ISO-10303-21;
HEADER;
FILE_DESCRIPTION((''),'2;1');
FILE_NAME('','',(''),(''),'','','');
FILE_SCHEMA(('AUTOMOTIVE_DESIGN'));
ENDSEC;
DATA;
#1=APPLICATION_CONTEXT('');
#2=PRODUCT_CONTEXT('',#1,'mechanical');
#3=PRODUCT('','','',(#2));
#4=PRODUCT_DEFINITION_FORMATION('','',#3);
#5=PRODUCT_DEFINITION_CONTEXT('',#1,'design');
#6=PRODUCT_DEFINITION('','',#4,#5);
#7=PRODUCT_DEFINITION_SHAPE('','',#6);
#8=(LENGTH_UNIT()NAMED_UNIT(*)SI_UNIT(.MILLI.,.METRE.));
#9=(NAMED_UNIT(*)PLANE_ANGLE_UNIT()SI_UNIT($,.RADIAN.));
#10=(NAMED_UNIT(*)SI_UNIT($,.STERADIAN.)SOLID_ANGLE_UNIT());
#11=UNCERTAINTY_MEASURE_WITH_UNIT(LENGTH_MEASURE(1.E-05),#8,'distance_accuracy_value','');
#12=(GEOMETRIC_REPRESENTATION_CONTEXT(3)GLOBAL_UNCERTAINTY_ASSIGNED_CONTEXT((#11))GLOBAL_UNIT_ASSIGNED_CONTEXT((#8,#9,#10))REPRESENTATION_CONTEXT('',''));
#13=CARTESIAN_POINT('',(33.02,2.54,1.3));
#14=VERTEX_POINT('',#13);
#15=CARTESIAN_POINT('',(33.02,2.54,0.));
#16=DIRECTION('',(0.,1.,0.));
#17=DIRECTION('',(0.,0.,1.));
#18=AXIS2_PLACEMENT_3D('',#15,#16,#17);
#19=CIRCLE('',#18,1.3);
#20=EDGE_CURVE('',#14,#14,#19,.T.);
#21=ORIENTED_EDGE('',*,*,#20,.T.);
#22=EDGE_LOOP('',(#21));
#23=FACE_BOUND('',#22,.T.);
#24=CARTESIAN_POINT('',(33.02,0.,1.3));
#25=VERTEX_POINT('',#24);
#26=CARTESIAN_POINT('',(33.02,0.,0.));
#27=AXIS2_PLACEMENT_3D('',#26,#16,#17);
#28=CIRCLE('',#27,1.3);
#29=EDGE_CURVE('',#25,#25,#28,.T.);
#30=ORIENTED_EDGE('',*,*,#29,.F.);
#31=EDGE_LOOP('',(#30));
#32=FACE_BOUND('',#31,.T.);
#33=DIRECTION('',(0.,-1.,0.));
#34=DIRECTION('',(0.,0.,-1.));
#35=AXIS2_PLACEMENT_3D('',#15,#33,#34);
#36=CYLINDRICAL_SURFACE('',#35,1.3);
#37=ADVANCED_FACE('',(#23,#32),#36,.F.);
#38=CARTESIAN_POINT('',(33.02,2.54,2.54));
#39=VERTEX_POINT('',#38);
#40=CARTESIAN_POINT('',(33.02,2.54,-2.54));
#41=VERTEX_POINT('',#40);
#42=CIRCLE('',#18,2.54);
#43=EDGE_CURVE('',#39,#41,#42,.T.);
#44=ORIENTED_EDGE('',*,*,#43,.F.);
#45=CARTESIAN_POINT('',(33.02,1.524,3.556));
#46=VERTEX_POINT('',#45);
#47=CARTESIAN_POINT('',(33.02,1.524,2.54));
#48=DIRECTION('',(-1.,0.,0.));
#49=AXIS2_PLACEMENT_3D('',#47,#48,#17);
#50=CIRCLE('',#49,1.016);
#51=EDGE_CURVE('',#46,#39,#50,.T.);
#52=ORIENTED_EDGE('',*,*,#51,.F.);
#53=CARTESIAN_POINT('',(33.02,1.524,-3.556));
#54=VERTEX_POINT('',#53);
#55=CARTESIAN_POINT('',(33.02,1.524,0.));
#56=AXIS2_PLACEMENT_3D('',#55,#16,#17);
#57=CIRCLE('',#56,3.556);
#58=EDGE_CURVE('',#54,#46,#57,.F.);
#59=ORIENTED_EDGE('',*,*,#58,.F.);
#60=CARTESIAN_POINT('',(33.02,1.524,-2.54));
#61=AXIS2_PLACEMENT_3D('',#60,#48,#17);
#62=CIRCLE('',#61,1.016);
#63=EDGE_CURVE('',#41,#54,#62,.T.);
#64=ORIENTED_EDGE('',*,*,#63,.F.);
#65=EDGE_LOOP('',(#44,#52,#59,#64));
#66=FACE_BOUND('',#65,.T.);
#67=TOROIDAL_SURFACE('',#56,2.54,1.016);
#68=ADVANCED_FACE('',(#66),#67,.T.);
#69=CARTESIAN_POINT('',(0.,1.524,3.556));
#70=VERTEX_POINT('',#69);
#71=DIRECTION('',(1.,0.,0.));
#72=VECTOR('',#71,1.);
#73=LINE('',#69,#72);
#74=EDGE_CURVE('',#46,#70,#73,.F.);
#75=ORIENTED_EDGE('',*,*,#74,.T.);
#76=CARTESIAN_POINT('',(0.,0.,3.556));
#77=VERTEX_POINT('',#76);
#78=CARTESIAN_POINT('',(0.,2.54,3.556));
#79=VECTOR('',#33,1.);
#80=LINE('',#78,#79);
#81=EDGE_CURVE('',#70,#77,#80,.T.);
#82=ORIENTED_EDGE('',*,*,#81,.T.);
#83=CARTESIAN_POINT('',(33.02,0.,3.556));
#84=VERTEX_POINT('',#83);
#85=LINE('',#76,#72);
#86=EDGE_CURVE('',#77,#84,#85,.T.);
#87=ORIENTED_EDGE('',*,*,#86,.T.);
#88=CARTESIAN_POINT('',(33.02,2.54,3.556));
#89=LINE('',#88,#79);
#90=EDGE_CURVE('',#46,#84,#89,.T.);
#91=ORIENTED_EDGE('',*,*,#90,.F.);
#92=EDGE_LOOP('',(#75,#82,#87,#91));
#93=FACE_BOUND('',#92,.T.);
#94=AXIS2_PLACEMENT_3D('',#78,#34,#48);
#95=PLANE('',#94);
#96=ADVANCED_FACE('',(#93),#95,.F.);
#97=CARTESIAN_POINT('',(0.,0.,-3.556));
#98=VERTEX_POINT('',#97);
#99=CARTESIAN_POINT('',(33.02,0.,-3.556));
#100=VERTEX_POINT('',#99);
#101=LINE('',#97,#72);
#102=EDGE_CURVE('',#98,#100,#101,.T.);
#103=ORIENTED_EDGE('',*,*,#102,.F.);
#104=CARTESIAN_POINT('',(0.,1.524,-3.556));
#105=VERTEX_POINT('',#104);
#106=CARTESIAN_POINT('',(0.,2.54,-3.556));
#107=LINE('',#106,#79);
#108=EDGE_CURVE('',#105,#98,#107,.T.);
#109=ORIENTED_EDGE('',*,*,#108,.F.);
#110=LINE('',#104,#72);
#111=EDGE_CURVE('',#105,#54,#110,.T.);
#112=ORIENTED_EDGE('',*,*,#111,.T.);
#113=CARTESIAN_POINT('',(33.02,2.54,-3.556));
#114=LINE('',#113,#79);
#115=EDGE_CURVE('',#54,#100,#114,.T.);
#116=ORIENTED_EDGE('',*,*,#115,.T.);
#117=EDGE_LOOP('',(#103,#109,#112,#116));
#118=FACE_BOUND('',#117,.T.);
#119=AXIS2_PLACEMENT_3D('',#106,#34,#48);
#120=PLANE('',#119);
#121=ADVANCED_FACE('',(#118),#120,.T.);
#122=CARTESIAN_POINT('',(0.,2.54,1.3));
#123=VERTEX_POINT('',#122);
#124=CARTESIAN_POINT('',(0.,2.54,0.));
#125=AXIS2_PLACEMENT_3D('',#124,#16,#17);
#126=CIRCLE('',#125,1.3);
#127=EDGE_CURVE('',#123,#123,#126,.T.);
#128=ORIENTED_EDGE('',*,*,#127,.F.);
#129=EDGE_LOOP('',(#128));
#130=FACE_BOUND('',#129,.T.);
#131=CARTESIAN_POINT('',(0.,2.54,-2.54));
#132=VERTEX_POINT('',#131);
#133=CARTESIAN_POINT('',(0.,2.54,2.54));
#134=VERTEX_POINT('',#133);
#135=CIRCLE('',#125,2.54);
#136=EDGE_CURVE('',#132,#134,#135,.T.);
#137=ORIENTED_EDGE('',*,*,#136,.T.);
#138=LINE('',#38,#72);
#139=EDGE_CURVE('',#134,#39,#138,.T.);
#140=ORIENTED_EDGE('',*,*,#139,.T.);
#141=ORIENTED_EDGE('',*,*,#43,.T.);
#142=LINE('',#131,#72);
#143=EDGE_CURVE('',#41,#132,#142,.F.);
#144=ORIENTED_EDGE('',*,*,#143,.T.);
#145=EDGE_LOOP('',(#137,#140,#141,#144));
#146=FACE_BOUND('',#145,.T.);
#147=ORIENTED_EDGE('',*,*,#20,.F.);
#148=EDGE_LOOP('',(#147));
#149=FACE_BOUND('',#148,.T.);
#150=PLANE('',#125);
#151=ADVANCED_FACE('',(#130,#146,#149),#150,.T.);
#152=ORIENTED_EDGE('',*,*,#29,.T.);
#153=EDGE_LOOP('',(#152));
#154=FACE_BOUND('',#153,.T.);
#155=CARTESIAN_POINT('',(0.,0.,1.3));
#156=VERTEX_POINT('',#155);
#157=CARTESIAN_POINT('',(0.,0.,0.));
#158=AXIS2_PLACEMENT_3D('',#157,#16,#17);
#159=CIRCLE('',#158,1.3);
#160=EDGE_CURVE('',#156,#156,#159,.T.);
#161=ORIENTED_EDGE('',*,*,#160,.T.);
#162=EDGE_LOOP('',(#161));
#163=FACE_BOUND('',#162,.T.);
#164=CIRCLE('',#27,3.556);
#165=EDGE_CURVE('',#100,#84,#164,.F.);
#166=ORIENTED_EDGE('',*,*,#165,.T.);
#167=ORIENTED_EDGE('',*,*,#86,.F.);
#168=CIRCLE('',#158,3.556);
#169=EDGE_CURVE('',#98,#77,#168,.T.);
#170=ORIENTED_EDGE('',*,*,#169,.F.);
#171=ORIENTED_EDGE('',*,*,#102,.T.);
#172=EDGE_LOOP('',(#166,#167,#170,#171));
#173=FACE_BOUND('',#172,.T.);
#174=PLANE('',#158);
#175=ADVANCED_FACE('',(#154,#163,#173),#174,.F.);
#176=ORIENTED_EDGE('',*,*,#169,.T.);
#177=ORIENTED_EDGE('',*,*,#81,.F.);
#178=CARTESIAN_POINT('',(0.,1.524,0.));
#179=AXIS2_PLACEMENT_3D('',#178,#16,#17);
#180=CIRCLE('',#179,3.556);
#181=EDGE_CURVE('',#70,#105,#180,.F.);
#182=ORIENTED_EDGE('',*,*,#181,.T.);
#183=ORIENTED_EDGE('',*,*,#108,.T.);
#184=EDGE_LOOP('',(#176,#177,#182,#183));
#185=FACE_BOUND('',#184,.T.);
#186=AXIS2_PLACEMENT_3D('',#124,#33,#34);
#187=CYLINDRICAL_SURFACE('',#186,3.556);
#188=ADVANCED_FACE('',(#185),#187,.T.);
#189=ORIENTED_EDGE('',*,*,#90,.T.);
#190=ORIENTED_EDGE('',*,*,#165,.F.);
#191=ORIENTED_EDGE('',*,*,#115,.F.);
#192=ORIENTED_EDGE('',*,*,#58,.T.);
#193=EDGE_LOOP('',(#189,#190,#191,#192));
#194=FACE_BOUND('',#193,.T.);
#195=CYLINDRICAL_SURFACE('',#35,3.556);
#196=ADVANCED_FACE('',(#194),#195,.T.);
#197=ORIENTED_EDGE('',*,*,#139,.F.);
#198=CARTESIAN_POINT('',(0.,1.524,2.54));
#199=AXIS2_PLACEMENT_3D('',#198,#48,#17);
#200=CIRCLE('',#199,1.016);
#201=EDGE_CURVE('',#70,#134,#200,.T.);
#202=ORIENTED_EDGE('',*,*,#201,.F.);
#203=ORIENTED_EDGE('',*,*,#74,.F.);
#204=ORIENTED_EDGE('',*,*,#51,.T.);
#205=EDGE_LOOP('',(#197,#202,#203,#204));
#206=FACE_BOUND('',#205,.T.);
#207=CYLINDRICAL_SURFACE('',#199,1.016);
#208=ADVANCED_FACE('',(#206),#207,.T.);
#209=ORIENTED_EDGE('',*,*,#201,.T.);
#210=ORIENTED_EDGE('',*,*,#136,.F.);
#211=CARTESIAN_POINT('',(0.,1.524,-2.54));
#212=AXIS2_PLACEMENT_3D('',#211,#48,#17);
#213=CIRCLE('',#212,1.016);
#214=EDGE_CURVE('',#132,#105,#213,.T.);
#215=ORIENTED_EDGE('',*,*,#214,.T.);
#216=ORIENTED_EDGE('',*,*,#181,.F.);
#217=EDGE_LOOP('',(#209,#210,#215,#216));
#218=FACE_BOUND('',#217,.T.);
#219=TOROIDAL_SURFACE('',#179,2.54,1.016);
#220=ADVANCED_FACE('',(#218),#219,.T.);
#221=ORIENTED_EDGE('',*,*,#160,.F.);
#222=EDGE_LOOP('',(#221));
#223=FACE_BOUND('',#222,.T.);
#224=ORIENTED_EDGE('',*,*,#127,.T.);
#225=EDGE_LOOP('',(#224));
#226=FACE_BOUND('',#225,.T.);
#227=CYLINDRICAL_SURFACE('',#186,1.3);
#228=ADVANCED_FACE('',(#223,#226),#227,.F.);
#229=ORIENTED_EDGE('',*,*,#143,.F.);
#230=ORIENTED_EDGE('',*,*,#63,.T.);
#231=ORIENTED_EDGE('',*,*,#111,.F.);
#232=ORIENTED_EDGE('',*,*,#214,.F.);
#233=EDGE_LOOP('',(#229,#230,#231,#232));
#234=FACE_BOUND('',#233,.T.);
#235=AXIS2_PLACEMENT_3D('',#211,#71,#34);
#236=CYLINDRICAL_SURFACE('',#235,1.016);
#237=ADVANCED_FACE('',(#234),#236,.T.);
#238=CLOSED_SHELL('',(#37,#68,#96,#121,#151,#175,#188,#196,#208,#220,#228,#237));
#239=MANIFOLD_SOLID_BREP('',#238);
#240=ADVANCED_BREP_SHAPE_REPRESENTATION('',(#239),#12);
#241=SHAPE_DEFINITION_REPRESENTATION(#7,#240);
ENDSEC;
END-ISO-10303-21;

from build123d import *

# Parameters (mm, degrees)
SKETCH1_R           = 1.3
BOSS_EXTRUDE1_DEPTH = 2.54
FILLET1_R           = 1.016


with BuildPart() as part:
    # Sketch1 → Boss-Extrude1 (new body)
    with BuildSketch(Plane(origin=(0, 0, 0), x_dir=(1, 0, 0), z_dir=(0, 1, 0))):
        with BuildLine():
            Line((0, 3.556), (33.02, 3.556))
            ThreePointArc((33.02, 3.556), (36.576, 0), (33.02, -3.556))
            Line((33.02, -3.556), (0, -3.556))
            ThreePointArc((0, -3.556), (-3.556, 0), (0, 3.556))
        make_face()
        with Locations(Location((0, 0, 0), (0, 0, 270))):
            Circle(SKETCH1_R, mode=Mode.SUBTRACT)
        with Locations(Location((33.02, 0, 0), (0, 0, 270))):
            Circle(SKETCH1_R, mode=Mode.SUBTRACT)
    extrude(amount=BOSS_EXTRUDE1_DEPTH)

    # Fillet1
    fillet1_edges = [part.edges().sort_by_distance(p)[0] for p in [
        (36.576, 2.54, 0),
        (16.51, 2.54, -3.556),
        (-3.556, 2.54, 0),
        (16.51, 2.54, 3.556),
    ]]
    fillet(fillet1_edges, radius=FILLET1_R)


solid = part.part
